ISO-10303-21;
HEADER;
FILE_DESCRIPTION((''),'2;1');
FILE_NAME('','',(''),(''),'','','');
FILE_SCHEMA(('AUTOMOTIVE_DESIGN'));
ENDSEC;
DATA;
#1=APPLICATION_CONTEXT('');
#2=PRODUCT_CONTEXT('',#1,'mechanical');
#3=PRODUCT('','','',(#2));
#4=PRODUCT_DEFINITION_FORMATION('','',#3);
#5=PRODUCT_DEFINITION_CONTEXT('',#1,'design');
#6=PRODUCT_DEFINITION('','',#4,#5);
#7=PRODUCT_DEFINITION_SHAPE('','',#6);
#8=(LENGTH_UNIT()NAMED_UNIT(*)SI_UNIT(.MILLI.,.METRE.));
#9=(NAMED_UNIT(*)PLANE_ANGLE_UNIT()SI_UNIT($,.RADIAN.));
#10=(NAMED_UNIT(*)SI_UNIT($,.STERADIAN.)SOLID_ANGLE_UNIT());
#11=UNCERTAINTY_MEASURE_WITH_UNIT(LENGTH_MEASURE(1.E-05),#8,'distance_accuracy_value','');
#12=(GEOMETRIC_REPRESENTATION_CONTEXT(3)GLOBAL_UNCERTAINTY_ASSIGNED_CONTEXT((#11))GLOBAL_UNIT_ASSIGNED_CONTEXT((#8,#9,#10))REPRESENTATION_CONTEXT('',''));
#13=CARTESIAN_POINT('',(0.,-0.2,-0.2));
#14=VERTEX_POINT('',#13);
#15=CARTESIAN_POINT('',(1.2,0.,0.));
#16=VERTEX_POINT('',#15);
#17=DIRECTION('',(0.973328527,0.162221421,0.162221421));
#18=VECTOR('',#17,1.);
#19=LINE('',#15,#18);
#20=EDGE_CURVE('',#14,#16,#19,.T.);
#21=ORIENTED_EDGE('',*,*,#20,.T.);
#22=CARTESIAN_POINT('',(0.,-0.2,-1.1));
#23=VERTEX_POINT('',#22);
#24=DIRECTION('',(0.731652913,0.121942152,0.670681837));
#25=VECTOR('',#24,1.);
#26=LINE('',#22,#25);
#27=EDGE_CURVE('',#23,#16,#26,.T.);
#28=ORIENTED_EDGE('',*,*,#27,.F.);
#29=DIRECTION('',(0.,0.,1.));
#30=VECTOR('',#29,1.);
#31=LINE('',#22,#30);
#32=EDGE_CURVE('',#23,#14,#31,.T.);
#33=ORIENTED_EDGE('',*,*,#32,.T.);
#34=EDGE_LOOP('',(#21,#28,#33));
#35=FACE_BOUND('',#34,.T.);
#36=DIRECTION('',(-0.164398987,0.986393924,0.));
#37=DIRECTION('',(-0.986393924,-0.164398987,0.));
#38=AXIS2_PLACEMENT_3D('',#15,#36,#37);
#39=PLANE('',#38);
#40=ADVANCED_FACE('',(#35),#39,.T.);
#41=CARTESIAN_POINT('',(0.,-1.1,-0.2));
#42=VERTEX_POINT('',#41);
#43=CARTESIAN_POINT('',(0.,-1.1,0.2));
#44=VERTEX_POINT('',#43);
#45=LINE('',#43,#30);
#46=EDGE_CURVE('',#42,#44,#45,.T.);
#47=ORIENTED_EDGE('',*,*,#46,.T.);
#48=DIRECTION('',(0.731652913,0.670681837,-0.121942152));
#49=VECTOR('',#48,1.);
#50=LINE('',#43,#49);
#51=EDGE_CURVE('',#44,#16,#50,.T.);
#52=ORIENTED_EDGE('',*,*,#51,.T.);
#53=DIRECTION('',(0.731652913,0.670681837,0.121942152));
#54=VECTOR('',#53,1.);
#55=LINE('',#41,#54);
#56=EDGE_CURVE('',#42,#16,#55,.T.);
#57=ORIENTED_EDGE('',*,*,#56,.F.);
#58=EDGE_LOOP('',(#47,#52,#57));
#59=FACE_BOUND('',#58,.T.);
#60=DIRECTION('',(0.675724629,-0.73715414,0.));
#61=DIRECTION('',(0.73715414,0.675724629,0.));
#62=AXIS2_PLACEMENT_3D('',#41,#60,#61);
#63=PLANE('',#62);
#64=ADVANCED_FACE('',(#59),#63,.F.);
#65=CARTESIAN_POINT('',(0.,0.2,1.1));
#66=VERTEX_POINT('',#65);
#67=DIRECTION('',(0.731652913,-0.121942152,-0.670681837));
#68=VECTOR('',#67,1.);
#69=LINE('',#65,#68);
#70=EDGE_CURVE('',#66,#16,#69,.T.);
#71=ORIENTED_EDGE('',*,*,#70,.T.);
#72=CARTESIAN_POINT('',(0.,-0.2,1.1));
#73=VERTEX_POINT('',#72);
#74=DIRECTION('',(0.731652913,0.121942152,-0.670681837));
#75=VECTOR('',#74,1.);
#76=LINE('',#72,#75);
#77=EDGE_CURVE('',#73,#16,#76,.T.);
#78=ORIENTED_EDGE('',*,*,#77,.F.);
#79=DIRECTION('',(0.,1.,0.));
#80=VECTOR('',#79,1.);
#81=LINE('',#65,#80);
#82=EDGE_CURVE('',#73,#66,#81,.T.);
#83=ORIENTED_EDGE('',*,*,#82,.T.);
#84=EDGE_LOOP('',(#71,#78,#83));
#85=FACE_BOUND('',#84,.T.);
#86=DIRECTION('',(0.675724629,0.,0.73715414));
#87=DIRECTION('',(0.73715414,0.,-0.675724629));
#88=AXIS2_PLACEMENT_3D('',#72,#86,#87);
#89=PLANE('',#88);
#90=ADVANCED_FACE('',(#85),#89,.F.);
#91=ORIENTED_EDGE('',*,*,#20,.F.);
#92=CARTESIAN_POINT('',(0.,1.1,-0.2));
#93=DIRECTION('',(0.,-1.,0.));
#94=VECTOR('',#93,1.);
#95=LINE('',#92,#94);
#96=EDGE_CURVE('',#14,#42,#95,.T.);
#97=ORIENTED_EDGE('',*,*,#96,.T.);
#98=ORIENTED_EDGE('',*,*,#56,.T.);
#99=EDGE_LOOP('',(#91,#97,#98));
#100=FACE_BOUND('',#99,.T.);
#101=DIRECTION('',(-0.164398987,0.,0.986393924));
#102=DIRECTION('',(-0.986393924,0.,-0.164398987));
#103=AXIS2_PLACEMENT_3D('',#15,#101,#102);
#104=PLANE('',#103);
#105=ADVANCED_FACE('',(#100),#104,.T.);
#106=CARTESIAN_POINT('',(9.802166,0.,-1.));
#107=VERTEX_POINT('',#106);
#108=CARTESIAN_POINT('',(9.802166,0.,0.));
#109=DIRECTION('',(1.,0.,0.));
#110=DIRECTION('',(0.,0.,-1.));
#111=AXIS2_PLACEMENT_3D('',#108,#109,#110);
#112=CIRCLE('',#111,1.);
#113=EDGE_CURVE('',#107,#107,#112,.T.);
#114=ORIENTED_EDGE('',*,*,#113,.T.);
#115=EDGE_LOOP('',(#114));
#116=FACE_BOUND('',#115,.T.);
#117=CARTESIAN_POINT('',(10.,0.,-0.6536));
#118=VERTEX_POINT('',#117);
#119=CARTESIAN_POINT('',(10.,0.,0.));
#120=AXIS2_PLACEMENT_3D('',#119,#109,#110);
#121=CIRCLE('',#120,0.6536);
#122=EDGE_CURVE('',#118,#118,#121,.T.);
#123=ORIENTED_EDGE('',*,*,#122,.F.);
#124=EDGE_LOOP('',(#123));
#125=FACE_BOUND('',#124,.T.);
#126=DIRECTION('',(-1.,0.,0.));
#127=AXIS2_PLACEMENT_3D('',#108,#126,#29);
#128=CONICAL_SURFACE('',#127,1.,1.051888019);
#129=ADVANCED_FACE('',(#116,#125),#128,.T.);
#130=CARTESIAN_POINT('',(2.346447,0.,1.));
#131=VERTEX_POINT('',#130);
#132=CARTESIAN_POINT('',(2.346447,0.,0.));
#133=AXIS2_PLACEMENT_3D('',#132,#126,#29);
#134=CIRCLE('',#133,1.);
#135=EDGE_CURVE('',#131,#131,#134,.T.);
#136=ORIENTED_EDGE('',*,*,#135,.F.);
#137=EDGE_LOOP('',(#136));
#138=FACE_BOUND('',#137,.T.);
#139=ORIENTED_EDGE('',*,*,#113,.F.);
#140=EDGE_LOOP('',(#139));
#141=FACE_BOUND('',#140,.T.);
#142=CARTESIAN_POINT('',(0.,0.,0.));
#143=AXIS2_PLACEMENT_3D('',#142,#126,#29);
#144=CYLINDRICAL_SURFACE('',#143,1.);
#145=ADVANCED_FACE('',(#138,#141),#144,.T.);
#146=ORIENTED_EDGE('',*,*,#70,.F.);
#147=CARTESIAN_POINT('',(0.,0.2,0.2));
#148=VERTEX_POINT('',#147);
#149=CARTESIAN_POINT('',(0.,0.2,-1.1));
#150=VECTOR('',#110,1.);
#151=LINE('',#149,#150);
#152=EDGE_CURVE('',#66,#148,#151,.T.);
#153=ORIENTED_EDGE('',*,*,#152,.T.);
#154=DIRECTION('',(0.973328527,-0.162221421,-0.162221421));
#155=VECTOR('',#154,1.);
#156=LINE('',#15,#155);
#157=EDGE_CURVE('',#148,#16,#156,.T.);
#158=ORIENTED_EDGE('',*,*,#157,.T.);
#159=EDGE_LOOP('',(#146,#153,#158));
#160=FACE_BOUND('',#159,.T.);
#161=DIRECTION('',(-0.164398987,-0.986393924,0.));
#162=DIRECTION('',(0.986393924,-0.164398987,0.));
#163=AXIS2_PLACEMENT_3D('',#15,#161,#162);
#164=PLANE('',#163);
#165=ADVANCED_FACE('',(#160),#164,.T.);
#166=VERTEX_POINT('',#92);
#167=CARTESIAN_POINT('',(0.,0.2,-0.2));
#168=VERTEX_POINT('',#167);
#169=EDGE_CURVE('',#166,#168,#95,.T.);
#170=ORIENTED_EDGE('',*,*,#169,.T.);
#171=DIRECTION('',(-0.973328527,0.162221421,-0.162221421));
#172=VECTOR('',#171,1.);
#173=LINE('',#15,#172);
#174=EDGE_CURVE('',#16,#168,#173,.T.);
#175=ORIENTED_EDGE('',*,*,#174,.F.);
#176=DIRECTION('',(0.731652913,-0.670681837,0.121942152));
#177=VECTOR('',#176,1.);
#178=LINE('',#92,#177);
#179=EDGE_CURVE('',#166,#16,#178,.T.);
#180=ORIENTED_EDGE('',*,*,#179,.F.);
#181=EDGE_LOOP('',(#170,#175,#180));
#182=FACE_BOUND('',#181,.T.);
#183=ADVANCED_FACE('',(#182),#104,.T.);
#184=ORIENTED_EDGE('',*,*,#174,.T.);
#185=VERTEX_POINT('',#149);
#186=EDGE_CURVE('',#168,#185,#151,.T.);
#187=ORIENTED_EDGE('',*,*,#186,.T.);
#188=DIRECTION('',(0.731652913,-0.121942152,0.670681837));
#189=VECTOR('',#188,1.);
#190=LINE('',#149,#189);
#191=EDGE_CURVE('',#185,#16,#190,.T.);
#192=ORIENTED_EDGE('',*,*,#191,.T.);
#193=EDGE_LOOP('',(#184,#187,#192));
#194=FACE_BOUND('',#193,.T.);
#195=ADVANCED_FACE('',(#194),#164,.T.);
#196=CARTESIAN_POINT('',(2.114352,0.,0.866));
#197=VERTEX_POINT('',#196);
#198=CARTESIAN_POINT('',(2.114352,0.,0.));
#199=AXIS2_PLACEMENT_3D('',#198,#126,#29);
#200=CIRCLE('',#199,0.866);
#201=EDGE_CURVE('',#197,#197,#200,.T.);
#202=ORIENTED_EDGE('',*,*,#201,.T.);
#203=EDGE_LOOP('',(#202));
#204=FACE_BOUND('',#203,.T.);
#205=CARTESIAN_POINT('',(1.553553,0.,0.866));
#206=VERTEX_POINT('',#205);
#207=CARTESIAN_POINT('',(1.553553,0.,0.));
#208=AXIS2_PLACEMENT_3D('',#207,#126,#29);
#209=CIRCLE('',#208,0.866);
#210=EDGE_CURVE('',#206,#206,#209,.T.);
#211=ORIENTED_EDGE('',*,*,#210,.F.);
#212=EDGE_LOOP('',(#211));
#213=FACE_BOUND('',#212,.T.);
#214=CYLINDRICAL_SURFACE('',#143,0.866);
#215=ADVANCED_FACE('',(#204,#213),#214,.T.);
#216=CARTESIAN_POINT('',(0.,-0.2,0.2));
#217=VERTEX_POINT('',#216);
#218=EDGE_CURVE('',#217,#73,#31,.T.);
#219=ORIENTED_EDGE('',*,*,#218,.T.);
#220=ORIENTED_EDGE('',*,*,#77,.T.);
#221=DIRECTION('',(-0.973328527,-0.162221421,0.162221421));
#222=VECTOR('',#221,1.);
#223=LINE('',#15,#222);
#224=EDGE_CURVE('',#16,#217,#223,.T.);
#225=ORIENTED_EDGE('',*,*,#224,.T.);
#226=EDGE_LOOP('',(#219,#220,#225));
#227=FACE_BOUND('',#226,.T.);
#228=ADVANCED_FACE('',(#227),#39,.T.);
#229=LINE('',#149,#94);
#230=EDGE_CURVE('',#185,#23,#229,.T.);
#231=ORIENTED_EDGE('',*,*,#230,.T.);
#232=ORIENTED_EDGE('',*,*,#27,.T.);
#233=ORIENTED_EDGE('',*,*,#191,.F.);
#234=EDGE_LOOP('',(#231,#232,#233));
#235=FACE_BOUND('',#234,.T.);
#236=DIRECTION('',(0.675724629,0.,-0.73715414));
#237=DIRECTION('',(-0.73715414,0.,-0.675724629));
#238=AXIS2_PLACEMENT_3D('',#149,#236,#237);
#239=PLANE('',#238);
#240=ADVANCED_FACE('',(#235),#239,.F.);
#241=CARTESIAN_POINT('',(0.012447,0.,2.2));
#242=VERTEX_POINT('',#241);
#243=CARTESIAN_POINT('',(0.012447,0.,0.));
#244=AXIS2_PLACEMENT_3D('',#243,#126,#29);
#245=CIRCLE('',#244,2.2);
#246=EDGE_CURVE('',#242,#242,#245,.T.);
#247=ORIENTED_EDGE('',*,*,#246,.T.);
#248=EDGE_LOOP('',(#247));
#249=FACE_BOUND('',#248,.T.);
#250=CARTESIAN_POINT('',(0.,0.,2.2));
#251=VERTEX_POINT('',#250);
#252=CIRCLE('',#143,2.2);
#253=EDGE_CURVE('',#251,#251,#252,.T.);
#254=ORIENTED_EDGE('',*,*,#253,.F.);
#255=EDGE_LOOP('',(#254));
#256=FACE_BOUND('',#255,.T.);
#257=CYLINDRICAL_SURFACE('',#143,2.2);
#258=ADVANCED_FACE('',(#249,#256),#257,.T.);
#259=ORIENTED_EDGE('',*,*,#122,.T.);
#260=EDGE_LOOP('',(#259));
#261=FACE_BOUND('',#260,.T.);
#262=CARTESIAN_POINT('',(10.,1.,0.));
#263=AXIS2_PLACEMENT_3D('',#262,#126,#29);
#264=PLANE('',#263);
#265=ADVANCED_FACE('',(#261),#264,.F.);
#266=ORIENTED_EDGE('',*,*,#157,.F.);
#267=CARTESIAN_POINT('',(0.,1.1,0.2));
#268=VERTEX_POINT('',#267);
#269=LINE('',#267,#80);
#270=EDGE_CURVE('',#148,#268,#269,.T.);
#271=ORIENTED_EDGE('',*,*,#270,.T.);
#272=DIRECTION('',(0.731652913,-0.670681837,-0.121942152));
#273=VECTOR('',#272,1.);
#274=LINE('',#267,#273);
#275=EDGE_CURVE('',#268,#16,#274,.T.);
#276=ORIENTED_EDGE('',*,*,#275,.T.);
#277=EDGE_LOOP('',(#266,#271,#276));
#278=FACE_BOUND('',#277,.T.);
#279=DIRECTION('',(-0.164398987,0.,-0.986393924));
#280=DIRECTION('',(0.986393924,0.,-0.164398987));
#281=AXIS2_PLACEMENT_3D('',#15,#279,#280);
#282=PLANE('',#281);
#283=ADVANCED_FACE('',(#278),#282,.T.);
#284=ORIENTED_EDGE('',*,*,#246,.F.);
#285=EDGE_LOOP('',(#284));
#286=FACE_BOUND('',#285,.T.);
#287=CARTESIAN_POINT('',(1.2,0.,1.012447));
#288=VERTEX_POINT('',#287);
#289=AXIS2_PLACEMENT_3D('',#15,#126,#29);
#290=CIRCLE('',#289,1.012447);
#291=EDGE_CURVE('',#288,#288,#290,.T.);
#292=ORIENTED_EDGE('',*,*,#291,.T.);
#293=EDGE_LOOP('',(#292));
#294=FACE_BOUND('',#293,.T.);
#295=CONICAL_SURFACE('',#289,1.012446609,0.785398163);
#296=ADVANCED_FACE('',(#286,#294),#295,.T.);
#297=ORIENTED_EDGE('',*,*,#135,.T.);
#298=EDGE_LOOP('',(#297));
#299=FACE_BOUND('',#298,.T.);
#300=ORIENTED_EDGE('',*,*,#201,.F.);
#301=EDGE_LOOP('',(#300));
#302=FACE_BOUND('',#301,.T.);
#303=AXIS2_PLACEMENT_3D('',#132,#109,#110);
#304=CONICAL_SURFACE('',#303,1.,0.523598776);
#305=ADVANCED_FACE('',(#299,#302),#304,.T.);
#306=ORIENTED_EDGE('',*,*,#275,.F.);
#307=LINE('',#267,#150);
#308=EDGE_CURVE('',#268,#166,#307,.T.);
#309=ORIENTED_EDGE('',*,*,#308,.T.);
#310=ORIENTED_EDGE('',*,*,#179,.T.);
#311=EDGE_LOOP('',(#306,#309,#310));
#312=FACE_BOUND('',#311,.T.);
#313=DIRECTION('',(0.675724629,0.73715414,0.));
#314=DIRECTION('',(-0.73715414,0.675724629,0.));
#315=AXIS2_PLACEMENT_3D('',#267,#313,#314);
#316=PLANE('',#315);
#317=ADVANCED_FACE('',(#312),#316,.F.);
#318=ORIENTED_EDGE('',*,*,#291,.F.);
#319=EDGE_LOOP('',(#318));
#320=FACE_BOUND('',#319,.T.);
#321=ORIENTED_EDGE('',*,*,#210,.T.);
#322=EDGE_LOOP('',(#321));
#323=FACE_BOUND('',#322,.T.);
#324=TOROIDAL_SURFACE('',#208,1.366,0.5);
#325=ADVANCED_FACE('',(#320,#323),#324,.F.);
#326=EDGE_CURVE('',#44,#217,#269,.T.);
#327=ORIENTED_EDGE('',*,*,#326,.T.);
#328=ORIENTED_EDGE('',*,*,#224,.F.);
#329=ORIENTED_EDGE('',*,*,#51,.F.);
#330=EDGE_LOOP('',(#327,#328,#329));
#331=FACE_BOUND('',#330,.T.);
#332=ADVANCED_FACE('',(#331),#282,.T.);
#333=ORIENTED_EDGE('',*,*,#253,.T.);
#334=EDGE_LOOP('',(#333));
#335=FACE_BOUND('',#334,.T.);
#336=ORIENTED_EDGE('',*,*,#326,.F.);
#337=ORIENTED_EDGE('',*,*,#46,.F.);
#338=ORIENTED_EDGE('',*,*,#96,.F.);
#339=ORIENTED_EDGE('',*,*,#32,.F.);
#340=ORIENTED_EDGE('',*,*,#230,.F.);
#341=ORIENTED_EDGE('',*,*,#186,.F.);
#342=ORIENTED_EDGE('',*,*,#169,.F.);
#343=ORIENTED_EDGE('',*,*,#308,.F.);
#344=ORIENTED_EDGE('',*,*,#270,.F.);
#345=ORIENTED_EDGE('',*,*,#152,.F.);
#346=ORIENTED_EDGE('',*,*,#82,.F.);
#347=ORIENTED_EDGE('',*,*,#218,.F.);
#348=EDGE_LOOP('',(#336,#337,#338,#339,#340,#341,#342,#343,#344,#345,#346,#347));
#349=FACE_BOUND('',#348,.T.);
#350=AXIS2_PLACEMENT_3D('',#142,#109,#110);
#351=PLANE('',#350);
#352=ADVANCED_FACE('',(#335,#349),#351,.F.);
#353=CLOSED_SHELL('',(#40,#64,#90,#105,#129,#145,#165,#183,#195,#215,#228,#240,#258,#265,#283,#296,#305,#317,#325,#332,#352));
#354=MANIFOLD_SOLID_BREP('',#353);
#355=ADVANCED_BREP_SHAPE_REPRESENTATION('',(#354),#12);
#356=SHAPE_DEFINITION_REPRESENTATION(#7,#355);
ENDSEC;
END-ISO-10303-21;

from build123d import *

# Parameters (mm, degrees)
PATTERN_CIRCULAR_1_COUNT = 2
PATTERN_CIRCULAR_1_ANGLE = 90


with BuildPart() as part:
    # 草图1 → Revolve 766 (revolve)
    with BuildSketch(Plane.XY, mode=Mode.PRIVATE) as revolve_766_sk:
        with BuildLine():
            Line((0, 0), (0, 2.2))
            Line((0, 2.2), (0.012446609, 2.2))
            Line((0.012446609, 2.2), (1.2, 1.012446609))
            ThreePointArc((1.2, 1.012446609), (1.362211674, 0.904060234), (1.553553391, 0.866))
            Line((1.553553391, 0.866), (2.114351801, 0.866))
            Line((2.114351801, 0.866), (2.346446609, 1))
            Line((2.346446609, 1), (10, 1))
            Line((10, 1), (10, 0))
            Line((10, 0), (0, 0))
        make_face()
    revolve(revolve_766_sk.sketch.rotate(Axis((0, 0, 0), (1, 0, 0)), 90), axis=Axis((0, 0, 0), (1, 0, 0)))

    # 草图2 → 切除-旋转1 (revolve, cut)
    with BuildSketch(Plane.XY, mode=Mode.PRIVATE) as cut_revolve_1_sk:
        Polygon((9.802166402, 1), (10.202166402, 1), (10, 0.6536), align=None)
    revolve(cut_revolve_1_sk.sketch.rotate(Axis((0, 0, 0), (-1, 0, 0)), 270), axis=Axis((0, 0, 0), (-1, 0, 0)), mode=Mode.SUBTRACT)

    # 草图3 → 切除-放样1 section 0
    with BuildSketch(Plane.ZY, mode=Mode.PRIVATE) as loft_1_s0:
        with BuildLine():
            Line((-1.1, 0.2), (1.1, 0.2))
            Line((1.1, 0.2), (1.1, -0.2))
            Line((1.1, -0.2), (-1.1, -0.2))
            Line((-1.1, -0.2), (-1.1, 0.2))
        make_face()
    loft_1 = loft([loft_1_s0.sketch, Vertex(1.2, 0, 0)], mode=Mode.SUBTRACT)

    # 阵列(圆周)1: 切除-放样1 ×2 about axis
    pattern_circular_1_axis = Axis((0, 0, 0), (1, 0, 0))
    for i in range(1, PATTERN_CIRCULAR_1_COUNT):
        add(loft_1.rotate(pattern_circular_1_axis, i * PATTERN_CIRCULAR_1_ANGLE / (PATTERN_CIRCULAR_1_COUNT - 1)), mode=Mode.SUBTRACT)


solid = part.part
